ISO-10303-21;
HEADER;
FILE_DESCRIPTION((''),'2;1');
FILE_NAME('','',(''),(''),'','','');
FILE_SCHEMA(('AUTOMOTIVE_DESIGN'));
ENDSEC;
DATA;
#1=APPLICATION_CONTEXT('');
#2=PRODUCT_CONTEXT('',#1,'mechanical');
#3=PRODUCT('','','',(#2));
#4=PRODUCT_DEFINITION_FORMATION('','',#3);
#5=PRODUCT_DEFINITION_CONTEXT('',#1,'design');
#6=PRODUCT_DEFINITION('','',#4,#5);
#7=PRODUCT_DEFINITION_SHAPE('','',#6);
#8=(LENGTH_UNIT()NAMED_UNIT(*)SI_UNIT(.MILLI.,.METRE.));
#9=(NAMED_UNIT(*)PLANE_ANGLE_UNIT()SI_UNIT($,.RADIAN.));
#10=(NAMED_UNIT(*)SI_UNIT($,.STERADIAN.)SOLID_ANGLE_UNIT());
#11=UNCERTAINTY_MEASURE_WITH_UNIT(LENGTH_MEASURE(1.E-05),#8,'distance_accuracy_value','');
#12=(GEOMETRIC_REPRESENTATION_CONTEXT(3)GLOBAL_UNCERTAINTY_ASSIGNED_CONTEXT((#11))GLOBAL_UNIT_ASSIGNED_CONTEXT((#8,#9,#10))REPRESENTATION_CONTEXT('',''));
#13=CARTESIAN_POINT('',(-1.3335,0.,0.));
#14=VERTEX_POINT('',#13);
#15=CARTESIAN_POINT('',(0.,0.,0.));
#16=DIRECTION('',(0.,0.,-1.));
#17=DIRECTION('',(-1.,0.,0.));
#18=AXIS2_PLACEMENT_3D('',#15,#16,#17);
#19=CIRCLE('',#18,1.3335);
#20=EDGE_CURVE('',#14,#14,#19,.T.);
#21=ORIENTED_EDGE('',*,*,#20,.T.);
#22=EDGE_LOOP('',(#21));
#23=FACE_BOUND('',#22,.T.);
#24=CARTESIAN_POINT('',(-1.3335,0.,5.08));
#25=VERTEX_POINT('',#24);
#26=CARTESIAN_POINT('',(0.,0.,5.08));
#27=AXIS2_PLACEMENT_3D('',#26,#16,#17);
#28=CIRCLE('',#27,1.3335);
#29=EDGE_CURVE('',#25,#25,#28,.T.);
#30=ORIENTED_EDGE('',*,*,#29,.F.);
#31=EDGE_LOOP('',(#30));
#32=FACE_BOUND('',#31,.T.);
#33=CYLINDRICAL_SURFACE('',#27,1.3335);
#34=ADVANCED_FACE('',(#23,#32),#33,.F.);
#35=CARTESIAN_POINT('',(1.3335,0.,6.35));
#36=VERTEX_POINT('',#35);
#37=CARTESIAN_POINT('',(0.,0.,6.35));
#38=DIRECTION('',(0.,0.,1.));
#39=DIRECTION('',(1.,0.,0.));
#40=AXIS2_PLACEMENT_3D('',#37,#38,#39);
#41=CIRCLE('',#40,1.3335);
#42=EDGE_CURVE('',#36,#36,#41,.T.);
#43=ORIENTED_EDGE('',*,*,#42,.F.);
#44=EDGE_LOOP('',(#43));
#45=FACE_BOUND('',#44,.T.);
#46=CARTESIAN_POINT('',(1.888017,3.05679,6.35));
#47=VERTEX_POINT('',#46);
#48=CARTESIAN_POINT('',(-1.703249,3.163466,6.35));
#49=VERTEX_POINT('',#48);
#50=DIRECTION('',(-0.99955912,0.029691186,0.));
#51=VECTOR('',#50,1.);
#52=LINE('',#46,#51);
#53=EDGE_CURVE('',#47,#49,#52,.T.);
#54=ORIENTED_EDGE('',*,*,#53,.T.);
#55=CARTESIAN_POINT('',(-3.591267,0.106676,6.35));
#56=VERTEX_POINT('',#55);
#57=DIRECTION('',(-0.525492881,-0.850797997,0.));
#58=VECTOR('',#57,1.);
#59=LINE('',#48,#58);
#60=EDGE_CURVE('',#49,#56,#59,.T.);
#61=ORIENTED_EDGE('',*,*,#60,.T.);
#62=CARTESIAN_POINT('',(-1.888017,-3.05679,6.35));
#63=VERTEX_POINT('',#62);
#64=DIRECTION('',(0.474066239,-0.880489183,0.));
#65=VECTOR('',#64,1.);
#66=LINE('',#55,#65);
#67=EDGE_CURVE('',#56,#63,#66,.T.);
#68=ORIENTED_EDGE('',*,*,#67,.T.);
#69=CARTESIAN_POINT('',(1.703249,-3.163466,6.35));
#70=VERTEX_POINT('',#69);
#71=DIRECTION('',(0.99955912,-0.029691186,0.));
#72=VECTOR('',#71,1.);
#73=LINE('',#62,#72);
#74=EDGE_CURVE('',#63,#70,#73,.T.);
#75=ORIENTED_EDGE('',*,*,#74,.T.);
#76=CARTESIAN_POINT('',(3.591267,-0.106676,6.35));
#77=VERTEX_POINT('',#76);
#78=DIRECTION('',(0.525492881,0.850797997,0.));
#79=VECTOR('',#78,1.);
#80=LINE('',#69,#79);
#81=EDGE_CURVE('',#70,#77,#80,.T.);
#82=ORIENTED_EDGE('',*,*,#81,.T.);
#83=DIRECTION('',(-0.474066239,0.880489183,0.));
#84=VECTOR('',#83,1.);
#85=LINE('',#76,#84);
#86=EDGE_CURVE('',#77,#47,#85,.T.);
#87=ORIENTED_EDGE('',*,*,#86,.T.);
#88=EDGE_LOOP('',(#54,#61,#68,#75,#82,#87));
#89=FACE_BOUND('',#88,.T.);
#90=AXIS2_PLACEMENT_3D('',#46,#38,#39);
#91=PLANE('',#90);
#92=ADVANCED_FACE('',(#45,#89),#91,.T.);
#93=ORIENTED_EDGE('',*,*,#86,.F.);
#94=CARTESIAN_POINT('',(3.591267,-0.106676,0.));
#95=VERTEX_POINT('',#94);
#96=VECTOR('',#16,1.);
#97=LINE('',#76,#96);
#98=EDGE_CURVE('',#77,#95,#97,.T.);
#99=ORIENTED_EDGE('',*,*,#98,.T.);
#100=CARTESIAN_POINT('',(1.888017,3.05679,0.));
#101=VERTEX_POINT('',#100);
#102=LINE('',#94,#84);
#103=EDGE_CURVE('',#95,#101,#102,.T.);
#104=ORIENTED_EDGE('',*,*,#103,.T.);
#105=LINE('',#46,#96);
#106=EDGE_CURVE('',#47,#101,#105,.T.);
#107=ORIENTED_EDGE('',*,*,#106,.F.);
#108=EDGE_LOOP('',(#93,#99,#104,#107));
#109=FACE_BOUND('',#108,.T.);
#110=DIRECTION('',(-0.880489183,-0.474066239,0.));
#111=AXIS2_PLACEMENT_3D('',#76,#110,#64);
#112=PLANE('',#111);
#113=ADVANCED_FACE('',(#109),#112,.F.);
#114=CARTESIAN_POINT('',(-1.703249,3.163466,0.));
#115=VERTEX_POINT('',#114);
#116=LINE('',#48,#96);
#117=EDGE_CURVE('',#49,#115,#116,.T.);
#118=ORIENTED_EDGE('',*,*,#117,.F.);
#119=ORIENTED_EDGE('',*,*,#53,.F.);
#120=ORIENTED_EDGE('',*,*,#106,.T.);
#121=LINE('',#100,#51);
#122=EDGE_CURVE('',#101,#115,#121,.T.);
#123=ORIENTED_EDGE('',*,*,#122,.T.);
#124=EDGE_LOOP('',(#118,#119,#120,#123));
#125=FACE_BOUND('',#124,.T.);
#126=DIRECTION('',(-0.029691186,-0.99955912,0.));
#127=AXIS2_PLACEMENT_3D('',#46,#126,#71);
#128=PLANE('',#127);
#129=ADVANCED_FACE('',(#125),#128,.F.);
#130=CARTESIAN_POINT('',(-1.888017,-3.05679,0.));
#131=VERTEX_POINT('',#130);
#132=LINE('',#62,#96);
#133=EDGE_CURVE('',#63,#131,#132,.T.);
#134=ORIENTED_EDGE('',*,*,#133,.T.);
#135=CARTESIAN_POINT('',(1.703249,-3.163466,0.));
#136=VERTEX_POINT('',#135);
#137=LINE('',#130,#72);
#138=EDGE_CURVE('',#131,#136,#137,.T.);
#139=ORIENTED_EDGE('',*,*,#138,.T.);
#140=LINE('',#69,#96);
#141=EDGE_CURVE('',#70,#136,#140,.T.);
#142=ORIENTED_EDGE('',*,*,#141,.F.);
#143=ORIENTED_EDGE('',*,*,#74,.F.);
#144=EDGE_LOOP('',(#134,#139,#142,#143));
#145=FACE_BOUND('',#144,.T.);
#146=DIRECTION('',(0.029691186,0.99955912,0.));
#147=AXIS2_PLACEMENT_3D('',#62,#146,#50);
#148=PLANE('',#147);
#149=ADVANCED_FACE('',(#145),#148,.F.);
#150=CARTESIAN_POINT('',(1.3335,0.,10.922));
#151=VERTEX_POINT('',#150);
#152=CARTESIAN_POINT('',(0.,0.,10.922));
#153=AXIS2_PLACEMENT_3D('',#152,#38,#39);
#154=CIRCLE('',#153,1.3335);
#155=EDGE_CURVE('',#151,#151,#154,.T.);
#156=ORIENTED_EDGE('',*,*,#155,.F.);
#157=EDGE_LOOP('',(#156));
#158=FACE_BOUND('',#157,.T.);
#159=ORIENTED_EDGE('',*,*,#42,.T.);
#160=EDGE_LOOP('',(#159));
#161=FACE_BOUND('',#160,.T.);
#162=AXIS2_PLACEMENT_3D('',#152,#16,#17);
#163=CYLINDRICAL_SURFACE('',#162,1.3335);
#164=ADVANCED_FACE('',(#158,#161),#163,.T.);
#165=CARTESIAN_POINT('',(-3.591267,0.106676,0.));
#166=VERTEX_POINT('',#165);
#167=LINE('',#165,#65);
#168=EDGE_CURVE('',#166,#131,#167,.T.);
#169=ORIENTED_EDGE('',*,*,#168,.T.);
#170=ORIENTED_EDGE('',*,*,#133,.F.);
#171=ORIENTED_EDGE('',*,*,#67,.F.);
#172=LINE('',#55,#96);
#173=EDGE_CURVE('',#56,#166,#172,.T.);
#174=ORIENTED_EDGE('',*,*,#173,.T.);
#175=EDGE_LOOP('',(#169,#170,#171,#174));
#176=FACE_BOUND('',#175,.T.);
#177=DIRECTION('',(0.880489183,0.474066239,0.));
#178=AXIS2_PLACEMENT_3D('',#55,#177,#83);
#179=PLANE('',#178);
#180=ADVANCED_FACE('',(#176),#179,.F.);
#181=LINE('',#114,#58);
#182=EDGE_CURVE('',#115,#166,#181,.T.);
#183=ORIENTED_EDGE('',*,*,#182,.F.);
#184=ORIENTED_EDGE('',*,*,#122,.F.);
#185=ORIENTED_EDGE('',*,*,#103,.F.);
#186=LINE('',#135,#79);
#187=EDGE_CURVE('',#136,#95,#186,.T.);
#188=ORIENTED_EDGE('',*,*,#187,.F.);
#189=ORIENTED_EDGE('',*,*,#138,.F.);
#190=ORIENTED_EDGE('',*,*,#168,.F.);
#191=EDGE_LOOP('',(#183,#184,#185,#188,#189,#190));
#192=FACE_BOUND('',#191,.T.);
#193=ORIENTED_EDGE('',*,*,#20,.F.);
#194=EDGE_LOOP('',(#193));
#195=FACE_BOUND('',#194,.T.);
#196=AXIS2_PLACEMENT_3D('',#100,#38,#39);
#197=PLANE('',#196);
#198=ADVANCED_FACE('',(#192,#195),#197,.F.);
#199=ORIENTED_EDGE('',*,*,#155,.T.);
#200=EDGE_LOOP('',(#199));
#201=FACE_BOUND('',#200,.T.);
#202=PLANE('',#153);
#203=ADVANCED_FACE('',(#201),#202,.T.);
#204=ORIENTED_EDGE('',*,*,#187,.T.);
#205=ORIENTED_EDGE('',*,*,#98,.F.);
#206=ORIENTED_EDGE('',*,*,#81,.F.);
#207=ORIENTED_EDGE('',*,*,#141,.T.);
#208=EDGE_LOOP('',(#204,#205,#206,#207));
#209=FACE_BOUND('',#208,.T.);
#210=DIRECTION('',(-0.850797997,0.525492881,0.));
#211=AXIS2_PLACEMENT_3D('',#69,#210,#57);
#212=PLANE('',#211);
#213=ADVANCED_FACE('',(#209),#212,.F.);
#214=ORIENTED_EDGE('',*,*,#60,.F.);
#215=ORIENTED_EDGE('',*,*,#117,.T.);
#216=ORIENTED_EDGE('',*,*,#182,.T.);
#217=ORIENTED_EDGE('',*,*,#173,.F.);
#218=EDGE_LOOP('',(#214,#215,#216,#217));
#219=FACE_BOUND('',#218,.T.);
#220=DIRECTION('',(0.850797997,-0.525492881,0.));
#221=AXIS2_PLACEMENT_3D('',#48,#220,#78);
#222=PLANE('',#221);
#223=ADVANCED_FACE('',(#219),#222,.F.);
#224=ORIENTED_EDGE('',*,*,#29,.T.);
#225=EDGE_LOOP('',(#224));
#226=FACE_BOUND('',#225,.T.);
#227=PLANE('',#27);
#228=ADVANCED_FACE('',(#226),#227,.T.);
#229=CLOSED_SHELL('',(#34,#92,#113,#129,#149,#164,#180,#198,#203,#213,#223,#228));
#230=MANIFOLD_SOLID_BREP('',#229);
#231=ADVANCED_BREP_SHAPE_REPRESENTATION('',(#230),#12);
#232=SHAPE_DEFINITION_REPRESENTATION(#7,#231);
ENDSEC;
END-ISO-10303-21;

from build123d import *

# Parameters (mm, degrees)
EXTRUDE1_DEPTH = 6.35
SKETCH2_R      = 1.3335
EXTRUDE2_DEPTH = 4.572
SKETCH3_R      = 1.3335
EXTRUDE3_DEPTH = 5.08


with BuildPart() as part:
    # Sketch1 → Extrude1 (new body)
    with BuildSketch(Plane.XY):
        Polygon((1.888017478, 3.056790202), (-1.70324923, 3.163466199), (-3.591266708, 0.106675997), (-1.888017478, -3.056790202), (1.70324923, -3.163466199), (3.591266708, -0.106675997), align=None)
    extrude(amount=EXTRUDE1_DEPTH)

    # Sketch2 → Extrude2 (add)
    with BuildSketch(Plane.XY.offset(6.35)):
        Circle(SKETCH2_R)
    extrude(amount=EXTRUDE2_DEPTH)

    # Sketch3 → Extrude3 (cut)
    with BuildSketch(Plane(origin=(0, 0, 0), x_dir=(-1, 0, 0), z_dir=(0, 0, -1))):
        with Locations(Location((0, 0, 0), (0, 0, 180))):
            Circle(SKETCH3_R)
    extrude(amount=-EXTRUDE3_DEPTH, mode=Mode.SUBTRACT)


solid = part.part
